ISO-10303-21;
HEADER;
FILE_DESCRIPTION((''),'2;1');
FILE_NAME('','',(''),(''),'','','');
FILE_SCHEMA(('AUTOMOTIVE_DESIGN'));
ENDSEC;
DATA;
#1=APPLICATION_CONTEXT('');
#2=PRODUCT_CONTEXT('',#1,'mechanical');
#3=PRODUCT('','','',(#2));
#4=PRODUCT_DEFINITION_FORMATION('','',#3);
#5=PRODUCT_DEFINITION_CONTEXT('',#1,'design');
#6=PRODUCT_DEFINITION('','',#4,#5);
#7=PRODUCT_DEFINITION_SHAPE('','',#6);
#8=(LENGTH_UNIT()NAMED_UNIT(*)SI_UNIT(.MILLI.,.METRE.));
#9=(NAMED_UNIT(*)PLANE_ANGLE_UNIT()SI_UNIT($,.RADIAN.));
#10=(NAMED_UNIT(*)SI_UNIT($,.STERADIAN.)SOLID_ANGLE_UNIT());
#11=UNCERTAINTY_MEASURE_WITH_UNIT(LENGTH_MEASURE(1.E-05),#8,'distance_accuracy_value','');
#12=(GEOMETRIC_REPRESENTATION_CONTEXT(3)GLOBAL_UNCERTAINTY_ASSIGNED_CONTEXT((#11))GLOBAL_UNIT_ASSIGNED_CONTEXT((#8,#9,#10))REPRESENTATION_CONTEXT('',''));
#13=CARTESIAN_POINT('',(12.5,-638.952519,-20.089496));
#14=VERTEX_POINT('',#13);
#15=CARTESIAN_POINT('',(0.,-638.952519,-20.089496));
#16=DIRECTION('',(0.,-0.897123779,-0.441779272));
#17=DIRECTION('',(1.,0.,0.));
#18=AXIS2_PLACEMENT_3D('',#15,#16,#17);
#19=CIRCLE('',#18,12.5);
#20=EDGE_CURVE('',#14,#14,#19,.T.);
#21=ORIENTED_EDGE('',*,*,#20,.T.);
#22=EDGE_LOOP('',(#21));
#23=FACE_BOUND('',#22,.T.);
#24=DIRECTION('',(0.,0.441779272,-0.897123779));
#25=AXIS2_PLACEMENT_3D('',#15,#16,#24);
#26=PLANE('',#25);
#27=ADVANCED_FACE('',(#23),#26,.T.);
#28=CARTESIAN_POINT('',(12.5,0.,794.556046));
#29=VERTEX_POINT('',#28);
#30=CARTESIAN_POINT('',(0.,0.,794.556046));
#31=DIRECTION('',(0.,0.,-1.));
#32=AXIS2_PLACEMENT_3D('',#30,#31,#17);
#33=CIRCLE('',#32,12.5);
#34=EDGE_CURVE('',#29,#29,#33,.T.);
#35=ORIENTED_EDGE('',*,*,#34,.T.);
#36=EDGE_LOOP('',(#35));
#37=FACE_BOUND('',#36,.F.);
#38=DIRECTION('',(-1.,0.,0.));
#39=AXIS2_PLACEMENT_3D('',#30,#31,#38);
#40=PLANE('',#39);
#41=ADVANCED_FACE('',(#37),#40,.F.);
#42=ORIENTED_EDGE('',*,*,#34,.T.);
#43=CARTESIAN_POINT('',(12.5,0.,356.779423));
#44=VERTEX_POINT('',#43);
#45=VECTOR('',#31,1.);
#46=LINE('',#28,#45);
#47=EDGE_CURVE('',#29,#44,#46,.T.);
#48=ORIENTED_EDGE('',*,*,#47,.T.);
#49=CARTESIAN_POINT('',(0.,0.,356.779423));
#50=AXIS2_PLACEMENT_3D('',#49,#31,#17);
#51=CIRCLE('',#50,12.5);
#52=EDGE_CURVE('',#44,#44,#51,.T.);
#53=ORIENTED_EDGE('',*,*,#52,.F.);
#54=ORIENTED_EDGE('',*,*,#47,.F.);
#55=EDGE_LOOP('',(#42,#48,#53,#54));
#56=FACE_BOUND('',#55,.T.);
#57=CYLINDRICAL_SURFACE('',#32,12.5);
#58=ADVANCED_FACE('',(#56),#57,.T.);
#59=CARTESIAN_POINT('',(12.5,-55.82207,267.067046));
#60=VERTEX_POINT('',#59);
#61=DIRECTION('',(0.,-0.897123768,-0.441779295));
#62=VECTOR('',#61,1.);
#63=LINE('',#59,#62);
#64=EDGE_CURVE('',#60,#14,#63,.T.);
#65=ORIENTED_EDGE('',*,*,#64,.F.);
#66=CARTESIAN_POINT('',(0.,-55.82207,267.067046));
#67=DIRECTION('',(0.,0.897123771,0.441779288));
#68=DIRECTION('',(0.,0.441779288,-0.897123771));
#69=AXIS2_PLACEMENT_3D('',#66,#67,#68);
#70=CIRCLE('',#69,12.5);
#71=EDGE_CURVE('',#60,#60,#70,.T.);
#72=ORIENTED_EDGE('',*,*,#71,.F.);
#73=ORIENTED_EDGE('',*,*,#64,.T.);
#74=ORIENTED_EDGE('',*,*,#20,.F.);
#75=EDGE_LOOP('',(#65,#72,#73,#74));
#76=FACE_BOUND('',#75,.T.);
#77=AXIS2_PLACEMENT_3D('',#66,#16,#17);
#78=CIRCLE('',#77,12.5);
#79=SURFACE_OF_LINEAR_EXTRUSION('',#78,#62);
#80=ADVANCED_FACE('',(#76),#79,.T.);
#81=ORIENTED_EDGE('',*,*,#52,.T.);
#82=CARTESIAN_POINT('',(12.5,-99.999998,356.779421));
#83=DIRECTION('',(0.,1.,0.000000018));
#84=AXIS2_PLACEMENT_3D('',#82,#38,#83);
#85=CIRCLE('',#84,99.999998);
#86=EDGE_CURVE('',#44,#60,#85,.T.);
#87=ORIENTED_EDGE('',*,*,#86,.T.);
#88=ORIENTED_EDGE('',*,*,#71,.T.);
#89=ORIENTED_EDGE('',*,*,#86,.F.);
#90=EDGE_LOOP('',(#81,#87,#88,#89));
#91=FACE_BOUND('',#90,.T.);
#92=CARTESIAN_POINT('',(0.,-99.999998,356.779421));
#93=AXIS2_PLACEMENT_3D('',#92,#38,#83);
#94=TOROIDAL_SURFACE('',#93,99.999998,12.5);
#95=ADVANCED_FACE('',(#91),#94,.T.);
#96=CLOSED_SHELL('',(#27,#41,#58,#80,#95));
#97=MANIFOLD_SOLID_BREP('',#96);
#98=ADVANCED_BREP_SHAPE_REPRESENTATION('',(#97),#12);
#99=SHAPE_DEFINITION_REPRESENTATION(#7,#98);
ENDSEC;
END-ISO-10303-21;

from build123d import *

# Parameters (mm, degrees)
F2_R = 12.5


with BuildPart() as f3:
    # F3: sweep along a path in F0
    with BuildLine(Plane.YZ) as f3_path:
        Line((0, 794.556046), (0, 356.779423))
        ThreePointArc((0, 356.779423), (-15.094779, 303.948527), (-55.82207, 267.067046))
        Line((-55.82207, 267.067046), (-638.952519, -20.089496))
    # F2 (on face) → F3 (sweep)
    with BuildSketch(Plane(origin=(0, 0, 794.556046), x_dir=(1, 0, 0), z_dir=(0, 0, -1))):
        Circle(F2_R)
    sweep(path=f3_path.line)


solid = f3.part
